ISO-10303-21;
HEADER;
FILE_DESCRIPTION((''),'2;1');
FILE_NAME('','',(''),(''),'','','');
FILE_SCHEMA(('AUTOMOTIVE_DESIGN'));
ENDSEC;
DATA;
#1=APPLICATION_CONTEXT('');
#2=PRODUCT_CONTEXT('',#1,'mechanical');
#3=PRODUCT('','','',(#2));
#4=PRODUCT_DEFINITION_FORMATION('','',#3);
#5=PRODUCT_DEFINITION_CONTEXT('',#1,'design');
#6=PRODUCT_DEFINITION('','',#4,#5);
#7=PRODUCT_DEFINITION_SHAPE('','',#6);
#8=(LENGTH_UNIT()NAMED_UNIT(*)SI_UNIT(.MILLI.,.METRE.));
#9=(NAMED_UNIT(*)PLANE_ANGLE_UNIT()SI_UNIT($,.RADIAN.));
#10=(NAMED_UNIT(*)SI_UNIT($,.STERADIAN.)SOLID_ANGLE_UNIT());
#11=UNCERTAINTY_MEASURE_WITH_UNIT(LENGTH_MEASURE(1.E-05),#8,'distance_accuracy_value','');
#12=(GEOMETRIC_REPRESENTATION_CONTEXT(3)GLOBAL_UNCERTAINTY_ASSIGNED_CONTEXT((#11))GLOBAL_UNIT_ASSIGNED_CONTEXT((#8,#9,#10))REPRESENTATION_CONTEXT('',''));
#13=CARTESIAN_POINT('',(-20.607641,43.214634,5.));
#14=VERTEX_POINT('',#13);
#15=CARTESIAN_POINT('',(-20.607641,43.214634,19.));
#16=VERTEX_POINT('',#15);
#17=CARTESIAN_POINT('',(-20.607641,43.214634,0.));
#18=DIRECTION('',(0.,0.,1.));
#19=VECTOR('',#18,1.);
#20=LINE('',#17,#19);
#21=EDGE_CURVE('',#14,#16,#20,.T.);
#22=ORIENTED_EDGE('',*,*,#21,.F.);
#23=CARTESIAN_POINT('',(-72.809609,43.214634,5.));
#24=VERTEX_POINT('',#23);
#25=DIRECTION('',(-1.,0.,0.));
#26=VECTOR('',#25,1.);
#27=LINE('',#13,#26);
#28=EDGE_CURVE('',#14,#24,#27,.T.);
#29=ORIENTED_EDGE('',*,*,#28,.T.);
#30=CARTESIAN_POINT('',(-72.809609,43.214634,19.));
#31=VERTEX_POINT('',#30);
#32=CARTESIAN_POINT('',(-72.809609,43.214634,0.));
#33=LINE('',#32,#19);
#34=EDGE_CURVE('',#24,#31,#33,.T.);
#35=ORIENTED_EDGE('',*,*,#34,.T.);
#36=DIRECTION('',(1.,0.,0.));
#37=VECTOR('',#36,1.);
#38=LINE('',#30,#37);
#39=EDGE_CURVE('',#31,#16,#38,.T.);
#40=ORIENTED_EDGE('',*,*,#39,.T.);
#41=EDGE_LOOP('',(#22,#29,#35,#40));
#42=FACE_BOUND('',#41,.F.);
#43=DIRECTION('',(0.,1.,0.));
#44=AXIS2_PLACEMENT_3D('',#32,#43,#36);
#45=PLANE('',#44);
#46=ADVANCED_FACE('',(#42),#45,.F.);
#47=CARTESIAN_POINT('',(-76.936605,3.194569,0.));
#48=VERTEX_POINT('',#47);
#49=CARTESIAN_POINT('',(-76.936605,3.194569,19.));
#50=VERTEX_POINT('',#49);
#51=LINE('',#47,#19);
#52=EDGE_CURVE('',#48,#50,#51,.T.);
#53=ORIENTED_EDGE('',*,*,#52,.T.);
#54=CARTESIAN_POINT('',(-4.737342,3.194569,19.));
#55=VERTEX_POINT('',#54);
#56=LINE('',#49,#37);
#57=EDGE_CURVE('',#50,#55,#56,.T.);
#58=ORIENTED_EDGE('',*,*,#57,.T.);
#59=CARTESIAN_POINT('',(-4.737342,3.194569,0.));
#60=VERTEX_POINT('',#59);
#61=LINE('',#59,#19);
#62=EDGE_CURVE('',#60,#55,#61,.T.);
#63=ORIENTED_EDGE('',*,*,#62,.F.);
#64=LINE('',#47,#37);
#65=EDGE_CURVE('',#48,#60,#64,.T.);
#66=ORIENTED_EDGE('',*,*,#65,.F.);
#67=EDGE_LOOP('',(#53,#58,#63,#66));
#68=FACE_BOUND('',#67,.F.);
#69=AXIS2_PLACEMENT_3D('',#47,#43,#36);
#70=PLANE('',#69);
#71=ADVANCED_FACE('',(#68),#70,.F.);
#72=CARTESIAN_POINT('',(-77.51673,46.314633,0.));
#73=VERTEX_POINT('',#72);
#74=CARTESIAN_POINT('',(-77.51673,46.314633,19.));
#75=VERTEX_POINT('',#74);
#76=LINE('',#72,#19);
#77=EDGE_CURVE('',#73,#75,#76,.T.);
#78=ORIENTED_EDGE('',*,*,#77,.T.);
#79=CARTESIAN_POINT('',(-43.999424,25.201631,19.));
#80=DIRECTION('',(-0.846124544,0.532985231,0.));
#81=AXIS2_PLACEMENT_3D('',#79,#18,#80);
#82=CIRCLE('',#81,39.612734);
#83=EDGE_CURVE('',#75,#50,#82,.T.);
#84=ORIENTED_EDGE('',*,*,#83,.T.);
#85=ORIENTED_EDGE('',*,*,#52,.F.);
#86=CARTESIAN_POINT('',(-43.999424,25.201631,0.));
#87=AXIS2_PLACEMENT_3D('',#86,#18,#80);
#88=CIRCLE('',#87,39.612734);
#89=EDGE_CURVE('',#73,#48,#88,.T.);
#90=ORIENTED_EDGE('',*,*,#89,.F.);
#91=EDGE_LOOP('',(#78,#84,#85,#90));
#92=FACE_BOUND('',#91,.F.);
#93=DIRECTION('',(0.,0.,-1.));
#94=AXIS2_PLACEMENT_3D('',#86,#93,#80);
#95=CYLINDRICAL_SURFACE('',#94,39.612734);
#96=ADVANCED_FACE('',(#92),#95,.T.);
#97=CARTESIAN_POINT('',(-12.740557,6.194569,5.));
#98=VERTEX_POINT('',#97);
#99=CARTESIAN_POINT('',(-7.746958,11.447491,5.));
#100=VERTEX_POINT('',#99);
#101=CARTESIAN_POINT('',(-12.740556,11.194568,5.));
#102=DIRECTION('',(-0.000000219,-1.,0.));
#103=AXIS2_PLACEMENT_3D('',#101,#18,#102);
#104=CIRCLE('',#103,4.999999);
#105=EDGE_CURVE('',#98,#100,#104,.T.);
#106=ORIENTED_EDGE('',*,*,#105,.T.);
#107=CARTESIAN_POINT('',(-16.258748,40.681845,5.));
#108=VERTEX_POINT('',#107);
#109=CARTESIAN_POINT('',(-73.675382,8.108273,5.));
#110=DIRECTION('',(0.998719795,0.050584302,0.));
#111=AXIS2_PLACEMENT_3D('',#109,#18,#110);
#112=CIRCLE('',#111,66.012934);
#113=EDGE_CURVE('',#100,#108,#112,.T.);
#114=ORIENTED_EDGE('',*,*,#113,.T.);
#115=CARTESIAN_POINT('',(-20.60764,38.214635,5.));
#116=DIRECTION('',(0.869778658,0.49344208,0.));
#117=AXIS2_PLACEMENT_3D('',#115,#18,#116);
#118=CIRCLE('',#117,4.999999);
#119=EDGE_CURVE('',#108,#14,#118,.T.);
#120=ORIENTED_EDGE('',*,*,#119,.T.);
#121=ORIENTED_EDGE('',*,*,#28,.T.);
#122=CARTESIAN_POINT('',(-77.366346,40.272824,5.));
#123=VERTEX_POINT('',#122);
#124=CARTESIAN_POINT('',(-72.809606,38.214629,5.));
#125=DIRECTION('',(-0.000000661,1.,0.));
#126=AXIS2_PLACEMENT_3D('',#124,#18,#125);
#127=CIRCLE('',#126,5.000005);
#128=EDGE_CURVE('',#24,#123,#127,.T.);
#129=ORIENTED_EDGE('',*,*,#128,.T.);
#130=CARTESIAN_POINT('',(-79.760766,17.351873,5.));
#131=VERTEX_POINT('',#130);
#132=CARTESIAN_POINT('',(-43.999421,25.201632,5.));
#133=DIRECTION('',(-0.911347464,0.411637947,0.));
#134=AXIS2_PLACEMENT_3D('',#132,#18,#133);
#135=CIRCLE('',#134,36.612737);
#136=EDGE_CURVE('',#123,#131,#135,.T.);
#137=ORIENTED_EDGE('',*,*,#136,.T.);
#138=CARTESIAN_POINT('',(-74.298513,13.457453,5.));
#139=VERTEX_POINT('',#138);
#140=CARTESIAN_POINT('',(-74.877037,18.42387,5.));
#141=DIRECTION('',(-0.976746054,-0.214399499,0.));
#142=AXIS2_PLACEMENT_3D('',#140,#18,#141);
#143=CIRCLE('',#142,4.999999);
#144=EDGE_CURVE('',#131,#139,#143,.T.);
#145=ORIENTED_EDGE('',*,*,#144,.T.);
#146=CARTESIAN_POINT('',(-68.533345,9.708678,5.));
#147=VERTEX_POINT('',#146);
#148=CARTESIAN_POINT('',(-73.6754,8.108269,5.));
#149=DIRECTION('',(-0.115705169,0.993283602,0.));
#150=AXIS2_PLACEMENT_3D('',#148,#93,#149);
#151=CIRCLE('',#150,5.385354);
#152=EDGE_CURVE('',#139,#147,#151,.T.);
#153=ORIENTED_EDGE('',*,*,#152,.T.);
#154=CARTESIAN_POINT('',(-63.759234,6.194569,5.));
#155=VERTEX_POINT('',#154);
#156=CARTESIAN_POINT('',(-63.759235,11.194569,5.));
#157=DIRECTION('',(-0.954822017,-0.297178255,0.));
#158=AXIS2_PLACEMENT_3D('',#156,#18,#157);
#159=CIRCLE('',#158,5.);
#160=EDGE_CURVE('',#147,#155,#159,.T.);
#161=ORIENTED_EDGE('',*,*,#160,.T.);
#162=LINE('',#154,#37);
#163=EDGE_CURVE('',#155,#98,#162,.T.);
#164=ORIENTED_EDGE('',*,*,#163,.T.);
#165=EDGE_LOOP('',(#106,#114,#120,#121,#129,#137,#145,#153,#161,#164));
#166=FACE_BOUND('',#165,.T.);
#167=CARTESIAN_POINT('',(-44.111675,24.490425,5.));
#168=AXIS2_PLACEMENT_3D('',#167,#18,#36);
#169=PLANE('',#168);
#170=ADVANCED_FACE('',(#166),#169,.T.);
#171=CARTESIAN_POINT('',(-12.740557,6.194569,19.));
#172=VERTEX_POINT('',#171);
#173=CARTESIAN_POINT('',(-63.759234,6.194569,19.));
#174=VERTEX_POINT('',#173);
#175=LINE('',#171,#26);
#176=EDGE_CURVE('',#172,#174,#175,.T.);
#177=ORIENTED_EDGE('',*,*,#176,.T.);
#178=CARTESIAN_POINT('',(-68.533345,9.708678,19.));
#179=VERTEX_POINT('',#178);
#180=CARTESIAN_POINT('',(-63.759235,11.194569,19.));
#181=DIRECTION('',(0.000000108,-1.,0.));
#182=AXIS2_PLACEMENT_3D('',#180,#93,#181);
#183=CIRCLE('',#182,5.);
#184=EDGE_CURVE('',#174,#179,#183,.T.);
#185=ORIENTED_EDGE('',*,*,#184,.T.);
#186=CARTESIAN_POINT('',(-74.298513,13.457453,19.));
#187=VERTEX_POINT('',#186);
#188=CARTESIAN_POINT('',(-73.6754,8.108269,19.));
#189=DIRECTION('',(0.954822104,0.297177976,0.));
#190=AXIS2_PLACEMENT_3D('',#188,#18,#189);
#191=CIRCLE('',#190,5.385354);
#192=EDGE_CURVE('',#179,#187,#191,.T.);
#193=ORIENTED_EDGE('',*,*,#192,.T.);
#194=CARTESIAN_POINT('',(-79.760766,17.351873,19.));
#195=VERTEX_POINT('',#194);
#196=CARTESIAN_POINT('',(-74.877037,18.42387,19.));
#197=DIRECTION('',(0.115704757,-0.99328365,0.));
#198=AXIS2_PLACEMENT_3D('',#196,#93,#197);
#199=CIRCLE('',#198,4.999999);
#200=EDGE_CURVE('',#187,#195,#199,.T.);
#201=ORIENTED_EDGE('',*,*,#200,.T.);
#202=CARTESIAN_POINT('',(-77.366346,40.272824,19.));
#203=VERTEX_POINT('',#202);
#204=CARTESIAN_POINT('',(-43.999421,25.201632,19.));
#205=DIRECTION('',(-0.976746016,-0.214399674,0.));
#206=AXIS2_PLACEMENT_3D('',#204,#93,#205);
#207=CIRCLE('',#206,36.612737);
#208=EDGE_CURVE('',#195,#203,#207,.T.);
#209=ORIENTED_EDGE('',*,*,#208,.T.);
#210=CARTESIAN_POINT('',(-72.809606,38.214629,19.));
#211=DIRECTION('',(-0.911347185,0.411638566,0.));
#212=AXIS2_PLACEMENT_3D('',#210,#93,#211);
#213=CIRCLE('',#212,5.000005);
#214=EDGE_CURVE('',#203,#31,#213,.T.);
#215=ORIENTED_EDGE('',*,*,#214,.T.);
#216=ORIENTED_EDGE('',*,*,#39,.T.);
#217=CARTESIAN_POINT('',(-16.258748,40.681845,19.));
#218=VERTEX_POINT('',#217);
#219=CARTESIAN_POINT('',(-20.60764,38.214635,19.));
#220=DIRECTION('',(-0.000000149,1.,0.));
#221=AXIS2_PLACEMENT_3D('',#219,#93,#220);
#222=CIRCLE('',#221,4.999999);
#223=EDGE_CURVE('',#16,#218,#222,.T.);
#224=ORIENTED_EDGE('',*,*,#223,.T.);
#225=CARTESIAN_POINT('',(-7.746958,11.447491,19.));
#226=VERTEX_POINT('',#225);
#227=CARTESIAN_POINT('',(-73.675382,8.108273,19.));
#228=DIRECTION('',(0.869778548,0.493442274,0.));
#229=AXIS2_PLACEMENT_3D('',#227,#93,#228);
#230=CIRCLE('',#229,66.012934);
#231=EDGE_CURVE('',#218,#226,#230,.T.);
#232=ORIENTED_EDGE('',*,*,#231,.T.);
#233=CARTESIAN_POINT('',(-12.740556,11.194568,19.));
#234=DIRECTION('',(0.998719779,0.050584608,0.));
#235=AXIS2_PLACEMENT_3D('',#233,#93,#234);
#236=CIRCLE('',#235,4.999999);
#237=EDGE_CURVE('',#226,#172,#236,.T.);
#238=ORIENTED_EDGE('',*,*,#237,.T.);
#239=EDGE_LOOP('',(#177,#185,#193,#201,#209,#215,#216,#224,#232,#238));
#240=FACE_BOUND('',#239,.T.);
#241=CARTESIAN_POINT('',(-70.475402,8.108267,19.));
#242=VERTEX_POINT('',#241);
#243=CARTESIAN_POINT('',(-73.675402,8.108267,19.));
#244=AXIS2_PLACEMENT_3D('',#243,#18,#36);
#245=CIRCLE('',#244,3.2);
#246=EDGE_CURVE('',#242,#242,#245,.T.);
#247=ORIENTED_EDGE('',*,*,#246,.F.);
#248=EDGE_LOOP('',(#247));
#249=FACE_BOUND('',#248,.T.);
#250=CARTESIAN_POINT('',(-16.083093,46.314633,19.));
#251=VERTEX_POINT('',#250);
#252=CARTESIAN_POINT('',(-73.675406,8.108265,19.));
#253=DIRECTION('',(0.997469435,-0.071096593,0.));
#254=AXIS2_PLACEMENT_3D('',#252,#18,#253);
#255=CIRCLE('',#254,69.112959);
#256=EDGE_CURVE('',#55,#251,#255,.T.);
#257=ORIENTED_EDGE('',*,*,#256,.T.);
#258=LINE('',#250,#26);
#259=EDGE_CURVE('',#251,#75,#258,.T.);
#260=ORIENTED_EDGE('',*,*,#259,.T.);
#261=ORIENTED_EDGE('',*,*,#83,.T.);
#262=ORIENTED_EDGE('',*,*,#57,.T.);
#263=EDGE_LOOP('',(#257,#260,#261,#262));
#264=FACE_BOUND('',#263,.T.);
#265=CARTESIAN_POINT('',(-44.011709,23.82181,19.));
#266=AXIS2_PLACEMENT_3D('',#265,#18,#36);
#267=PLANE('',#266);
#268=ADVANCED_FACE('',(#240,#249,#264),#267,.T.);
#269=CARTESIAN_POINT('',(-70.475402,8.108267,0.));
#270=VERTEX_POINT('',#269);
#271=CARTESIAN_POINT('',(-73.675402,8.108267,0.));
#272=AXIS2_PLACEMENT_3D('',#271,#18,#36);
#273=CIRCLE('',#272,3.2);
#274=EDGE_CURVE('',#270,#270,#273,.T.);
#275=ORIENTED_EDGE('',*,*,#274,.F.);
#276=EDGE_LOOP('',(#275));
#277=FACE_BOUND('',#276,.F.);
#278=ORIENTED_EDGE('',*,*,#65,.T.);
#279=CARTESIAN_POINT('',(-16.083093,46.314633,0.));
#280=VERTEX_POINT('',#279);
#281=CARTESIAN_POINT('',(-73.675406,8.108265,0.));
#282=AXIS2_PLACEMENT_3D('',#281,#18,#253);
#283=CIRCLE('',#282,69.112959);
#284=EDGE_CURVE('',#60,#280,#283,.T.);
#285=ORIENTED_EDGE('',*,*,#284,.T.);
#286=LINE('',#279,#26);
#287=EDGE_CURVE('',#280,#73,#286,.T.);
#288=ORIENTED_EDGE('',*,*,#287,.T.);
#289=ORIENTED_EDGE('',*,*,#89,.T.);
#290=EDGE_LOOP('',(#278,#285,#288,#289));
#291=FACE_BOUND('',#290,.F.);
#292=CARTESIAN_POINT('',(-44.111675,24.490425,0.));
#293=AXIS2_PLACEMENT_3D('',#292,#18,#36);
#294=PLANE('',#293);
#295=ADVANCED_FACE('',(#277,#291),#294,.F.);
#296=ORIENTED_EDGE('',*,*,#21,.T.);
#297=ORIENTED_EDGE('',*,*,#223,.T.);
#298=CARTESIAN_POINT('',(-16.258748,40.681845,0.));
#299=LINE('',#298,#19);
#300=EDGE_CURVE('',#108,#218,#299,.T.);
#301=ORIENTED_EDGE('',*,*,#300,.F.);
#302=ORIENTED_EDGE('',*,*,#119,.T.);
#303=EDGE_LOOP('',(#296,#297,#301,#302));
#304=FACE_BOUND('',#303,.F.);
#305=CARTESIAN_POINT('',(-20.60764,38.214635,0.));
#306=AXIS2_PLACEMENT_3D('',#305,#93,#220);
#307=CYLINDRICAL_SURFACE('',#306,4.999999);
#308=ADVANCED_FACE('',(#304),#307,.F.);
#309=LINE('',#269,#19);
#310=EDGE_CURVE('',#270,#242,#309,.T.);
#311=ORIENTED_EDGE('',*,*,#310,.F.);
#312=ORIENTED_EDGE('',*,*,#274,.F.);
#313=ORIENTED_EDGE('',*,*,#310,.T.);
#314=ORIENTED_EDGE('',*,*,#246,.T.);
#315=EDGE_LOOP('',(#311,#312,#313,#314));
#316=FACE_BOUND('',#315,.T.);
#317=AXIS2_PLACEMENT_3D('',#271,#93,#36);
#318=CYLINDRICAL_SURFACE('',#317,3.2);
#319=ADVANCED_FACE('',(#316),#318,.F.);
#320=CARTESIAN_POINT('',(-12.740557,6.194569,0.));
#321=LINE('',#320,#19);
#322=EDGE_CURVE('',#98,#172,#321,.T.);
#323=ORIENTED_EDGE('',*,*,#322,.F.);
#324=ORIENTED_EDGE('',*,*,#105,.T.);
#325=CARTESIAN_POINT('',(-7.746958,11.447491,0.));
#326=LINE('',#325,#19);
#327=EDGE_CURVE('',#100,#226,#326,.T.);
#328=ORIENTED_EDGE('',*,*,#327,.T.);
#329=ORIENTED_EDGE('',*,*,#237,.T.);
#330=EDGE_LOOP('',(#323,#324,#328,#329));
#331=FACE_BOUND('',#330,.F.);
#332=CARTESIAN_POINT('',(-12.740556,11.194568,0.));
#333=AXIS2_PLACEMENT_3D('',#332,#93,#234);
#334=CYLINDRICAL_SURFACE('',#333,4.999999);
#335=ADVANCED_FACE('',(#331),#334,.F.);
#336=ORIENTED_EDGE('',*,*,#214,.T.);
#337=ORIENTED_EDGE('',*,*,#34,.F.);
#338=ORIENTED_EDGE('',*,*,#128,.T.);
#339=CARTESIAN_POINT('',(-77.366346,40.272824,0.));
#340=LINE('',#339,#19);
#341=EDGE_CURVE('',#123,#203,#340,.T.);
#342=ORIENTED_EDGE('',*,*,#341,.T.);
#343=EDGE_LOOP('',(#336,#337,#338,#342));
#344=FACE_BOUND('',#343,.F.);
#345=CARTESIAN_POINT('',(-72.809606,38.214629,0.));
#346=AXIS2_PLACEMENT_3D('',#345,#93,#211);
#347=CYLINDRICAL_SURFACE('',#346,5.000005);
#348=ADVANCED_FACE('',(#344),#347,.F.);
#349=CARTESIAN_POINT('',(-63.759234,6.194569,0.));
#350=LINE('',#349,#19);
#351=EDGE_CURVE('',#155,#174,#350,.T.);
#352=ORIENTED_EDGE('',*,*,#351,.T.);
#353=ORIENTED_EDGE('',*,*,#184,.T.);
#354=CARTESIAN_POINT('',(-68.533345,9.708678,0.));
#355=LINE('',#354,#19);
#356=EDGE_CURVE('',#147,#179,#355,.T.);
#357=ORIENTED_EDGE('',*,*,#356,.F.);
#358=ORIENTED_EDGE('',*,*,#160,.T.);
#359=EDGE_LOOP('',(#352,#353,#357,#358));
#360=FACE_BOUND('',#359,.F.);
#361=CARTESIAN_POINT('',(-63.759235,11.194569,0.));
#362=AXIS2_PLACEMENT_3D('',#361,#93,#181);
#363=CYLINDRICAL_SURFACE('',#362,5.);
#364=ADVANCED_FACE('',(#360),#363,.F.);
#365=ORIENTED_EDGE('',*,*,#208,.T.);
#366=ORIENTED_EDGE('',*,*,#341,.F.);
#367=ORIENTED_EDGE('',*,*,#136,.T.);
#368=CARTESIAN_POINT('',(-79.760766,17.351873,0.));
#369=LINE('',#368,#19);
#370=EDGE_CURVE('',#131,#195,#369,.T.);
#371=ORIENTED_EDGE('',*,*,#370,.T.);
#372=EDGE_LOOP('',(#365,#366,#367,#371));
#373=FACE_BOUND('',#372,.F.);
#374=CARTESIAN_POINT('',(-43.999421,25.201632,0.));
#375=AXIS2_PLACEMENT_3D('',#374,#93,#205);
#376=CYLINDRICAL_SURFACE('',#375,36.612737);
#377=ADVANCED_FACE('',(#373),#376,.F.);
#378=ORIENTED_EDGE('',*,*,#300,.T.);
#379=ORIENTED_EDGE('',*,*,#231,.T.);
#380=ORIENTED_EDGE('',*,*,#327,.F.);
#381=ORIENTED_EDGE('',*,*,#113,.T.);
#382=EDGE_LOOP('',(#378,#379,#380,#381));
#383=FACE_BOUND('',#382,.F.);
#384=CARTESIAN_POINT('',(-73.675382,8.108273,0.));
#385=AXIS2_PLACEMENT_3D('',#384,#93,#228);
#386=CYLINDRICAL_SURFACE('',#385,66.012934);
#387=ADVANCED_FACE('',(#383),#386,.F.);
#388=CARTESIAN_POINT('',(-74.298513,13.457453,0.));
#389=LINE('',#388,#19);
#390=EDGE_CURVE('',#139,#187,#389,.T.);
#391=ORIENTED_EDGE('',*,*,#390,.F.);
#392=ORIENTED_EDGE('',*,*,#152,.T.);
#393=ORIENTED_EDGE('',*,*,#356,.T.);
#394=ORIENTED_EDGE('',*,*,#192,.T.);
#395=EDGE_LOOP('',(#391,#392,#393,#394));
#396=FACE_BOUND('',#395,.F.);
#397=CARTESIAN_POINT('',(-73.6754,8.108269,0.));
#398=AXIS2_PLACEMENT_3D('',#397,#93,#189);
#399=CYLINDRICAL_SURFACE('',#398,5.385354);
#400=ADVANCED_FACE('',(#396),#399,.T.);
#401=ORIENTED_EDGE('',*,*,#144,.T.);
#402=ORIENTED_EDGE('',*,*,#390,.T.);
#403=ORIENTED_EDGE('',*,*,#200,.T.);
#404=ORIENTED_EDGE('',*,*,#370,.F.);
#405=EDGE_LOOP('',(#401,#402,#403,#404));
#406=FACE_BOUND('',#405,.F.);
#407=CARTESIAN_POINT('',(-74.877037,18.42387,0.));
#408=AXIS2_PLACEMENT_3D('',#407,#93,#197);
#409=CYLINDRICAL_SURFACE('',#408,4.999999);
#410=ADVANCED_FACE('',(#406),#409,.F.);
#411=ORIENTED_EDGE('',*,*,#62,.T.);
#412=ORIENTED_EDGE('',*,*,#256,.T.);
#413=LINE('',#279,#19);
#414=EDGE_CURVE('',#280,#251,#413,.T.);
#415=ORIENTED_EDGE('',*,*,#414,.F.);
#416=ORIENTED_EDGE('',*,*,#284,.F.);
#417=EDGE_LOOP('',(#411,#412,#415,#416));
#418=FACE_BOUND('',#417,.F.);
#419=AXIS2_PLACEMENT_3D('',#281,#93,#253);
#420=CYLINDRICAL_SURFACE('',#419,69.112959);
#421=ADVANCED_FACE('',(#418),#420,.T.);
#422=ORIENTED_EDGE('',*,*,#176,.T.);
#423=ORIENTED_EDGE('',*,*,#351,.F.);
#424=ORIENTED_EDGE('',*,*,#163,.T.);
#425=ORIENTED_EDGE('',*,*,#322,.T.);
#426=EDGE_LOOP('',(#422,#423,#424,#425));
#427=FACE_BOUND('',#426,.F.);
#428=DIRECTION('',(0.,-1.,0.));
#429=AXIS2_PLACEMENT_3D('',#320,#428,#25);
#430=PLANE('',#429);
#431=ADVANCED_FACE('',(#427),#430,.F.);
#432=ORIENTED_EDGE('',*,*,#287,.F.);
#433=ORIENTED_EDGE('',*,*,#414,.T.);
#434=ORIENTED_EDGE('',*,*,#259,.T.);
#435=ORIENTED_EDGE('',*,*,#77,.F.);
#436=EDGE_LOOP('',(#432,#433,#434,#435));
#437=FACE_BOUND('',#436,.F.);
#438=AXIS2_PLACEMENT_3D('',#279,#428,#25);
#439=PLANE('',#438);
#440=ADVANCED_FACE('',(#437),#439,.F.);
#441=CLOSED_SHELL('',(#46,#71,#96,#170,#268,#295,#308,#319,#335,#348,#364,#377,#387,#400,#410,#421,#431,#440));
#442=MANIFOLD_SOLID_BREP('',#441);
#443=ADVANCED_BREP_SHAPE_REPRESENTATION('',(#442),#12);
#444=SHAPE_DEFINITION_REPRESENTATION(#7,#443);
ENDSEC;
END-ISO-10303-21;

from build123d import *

# Parameters (mm, degrees)
F0_R     = 3.2
F1_DEPTH = 19
F2_DEPTH = 5


with BuildPart() as f1:
    # F0 (on Top) → F1 (new body)
    with BuildSketch(Plane.XY):
        with BuildLine():
            Line((-16.083093, 46.314633), (-77.51673, 46.314633))
            ThreePointArc((-77.51673, 46.314633), (-83.608573, 24.668741), (-76.936605, 3.194569))
            Line((-76.936605, 3.194569), (-4.737342, 3.194569))
            ThreePointArc((-4.737342, 3.194569), (-6.8374, 25.694681), (-16.083093, 46.314633))
        make_face()
        with Locations((-73.675402, 8.108267)):
            Circle(F0_R, mode=Mode.SUBTRACT)
        with BuildLine():
            ThreePointArc((-77.366346, 40.272824), (-75.521531, 42.415285), (-72.809609, 43.214634))
            Line((-72.809609, 43.214634), (-20.607641, 43.214634))
            ThreePointArc((-20.607641, 43.214634), (-18.091299, 42.535285), (-16.258748, 40.681845))
            ThreePointArc((-16.258748, 40.681845), (-10.294291, 26.562128), (-7.746958, 11.447491))
            ThreePointArc((-7.746958, 11.447491), (-9.116704, 7.749617), (-12.740557, 6.194569))
            Line((-12.740557, 6.194569), (-63.759234, 6.194569))
            ThreePointArc((-63.759234, 6.194569), (-66.72323, 7.167817), (-68.533345, 9.708678))
            ThreePointArc((-68.533345, 9.708678), (-70.739665, 12.623078), (-74.298513, 13.457453))
            ThreePointArc((-74.298513, 13.457453), (-77.779678, 14.352671), (-79.760766, 17.351873))
            ThreePointArc((-79.760766, 17.351873), (-80.414005, 29.005654), (-77.366346, 40.272824))
        make_face(mode=Mode.SUBTRACT)
    extrude(amount=F1_DEPTH)

    # F0 (on Top) → F2 (join)
    with BuildSketch(Plane.XY):
        with BuildLine():
            Line((-20.607641, 43.214634), (-72.809609, 43.214634))
            ThreePointArc((-72.809609, 43.214634), (-75.521531, 42.415285), (-77.366346, 40.272824))
            ThreePointArc((-77.366346, 40.272824), (-80.414005, 29.005654), (-79.760766, 17.351873))
            ThreePointArc((-79.760766, 17.351873), (-77.779678, 14.352671), (-74.298513, 13.457453))
            ThreePointArc((-74.298513, 13.457453), (-70.739665, 12.623078), (-68.533345, 9.708678))
            ThreePointArc((-68.533345, 9.708678), (-66.72323, 7.167817), (-63.759234, 6.194569))
            Line((-63.759234, 6.194569), (-12.740557, 6.194569))
            ThreePointArc((-12.740557, 6.194569), (-9.116704, 7.749617), (-7.746958, 11.447491))
            ThreePointArc((-7.746958, 11.447491), (-10.294291, 26.562128), (-16.258748, 40.681845))
            ThreePointArc((-16.258748, 40.681845), (-18.091299, 42.535285), (-20.607641, 43.214634))
        make_face()
    extrude(amount=F2_DEPTH)


solid = f1.part
